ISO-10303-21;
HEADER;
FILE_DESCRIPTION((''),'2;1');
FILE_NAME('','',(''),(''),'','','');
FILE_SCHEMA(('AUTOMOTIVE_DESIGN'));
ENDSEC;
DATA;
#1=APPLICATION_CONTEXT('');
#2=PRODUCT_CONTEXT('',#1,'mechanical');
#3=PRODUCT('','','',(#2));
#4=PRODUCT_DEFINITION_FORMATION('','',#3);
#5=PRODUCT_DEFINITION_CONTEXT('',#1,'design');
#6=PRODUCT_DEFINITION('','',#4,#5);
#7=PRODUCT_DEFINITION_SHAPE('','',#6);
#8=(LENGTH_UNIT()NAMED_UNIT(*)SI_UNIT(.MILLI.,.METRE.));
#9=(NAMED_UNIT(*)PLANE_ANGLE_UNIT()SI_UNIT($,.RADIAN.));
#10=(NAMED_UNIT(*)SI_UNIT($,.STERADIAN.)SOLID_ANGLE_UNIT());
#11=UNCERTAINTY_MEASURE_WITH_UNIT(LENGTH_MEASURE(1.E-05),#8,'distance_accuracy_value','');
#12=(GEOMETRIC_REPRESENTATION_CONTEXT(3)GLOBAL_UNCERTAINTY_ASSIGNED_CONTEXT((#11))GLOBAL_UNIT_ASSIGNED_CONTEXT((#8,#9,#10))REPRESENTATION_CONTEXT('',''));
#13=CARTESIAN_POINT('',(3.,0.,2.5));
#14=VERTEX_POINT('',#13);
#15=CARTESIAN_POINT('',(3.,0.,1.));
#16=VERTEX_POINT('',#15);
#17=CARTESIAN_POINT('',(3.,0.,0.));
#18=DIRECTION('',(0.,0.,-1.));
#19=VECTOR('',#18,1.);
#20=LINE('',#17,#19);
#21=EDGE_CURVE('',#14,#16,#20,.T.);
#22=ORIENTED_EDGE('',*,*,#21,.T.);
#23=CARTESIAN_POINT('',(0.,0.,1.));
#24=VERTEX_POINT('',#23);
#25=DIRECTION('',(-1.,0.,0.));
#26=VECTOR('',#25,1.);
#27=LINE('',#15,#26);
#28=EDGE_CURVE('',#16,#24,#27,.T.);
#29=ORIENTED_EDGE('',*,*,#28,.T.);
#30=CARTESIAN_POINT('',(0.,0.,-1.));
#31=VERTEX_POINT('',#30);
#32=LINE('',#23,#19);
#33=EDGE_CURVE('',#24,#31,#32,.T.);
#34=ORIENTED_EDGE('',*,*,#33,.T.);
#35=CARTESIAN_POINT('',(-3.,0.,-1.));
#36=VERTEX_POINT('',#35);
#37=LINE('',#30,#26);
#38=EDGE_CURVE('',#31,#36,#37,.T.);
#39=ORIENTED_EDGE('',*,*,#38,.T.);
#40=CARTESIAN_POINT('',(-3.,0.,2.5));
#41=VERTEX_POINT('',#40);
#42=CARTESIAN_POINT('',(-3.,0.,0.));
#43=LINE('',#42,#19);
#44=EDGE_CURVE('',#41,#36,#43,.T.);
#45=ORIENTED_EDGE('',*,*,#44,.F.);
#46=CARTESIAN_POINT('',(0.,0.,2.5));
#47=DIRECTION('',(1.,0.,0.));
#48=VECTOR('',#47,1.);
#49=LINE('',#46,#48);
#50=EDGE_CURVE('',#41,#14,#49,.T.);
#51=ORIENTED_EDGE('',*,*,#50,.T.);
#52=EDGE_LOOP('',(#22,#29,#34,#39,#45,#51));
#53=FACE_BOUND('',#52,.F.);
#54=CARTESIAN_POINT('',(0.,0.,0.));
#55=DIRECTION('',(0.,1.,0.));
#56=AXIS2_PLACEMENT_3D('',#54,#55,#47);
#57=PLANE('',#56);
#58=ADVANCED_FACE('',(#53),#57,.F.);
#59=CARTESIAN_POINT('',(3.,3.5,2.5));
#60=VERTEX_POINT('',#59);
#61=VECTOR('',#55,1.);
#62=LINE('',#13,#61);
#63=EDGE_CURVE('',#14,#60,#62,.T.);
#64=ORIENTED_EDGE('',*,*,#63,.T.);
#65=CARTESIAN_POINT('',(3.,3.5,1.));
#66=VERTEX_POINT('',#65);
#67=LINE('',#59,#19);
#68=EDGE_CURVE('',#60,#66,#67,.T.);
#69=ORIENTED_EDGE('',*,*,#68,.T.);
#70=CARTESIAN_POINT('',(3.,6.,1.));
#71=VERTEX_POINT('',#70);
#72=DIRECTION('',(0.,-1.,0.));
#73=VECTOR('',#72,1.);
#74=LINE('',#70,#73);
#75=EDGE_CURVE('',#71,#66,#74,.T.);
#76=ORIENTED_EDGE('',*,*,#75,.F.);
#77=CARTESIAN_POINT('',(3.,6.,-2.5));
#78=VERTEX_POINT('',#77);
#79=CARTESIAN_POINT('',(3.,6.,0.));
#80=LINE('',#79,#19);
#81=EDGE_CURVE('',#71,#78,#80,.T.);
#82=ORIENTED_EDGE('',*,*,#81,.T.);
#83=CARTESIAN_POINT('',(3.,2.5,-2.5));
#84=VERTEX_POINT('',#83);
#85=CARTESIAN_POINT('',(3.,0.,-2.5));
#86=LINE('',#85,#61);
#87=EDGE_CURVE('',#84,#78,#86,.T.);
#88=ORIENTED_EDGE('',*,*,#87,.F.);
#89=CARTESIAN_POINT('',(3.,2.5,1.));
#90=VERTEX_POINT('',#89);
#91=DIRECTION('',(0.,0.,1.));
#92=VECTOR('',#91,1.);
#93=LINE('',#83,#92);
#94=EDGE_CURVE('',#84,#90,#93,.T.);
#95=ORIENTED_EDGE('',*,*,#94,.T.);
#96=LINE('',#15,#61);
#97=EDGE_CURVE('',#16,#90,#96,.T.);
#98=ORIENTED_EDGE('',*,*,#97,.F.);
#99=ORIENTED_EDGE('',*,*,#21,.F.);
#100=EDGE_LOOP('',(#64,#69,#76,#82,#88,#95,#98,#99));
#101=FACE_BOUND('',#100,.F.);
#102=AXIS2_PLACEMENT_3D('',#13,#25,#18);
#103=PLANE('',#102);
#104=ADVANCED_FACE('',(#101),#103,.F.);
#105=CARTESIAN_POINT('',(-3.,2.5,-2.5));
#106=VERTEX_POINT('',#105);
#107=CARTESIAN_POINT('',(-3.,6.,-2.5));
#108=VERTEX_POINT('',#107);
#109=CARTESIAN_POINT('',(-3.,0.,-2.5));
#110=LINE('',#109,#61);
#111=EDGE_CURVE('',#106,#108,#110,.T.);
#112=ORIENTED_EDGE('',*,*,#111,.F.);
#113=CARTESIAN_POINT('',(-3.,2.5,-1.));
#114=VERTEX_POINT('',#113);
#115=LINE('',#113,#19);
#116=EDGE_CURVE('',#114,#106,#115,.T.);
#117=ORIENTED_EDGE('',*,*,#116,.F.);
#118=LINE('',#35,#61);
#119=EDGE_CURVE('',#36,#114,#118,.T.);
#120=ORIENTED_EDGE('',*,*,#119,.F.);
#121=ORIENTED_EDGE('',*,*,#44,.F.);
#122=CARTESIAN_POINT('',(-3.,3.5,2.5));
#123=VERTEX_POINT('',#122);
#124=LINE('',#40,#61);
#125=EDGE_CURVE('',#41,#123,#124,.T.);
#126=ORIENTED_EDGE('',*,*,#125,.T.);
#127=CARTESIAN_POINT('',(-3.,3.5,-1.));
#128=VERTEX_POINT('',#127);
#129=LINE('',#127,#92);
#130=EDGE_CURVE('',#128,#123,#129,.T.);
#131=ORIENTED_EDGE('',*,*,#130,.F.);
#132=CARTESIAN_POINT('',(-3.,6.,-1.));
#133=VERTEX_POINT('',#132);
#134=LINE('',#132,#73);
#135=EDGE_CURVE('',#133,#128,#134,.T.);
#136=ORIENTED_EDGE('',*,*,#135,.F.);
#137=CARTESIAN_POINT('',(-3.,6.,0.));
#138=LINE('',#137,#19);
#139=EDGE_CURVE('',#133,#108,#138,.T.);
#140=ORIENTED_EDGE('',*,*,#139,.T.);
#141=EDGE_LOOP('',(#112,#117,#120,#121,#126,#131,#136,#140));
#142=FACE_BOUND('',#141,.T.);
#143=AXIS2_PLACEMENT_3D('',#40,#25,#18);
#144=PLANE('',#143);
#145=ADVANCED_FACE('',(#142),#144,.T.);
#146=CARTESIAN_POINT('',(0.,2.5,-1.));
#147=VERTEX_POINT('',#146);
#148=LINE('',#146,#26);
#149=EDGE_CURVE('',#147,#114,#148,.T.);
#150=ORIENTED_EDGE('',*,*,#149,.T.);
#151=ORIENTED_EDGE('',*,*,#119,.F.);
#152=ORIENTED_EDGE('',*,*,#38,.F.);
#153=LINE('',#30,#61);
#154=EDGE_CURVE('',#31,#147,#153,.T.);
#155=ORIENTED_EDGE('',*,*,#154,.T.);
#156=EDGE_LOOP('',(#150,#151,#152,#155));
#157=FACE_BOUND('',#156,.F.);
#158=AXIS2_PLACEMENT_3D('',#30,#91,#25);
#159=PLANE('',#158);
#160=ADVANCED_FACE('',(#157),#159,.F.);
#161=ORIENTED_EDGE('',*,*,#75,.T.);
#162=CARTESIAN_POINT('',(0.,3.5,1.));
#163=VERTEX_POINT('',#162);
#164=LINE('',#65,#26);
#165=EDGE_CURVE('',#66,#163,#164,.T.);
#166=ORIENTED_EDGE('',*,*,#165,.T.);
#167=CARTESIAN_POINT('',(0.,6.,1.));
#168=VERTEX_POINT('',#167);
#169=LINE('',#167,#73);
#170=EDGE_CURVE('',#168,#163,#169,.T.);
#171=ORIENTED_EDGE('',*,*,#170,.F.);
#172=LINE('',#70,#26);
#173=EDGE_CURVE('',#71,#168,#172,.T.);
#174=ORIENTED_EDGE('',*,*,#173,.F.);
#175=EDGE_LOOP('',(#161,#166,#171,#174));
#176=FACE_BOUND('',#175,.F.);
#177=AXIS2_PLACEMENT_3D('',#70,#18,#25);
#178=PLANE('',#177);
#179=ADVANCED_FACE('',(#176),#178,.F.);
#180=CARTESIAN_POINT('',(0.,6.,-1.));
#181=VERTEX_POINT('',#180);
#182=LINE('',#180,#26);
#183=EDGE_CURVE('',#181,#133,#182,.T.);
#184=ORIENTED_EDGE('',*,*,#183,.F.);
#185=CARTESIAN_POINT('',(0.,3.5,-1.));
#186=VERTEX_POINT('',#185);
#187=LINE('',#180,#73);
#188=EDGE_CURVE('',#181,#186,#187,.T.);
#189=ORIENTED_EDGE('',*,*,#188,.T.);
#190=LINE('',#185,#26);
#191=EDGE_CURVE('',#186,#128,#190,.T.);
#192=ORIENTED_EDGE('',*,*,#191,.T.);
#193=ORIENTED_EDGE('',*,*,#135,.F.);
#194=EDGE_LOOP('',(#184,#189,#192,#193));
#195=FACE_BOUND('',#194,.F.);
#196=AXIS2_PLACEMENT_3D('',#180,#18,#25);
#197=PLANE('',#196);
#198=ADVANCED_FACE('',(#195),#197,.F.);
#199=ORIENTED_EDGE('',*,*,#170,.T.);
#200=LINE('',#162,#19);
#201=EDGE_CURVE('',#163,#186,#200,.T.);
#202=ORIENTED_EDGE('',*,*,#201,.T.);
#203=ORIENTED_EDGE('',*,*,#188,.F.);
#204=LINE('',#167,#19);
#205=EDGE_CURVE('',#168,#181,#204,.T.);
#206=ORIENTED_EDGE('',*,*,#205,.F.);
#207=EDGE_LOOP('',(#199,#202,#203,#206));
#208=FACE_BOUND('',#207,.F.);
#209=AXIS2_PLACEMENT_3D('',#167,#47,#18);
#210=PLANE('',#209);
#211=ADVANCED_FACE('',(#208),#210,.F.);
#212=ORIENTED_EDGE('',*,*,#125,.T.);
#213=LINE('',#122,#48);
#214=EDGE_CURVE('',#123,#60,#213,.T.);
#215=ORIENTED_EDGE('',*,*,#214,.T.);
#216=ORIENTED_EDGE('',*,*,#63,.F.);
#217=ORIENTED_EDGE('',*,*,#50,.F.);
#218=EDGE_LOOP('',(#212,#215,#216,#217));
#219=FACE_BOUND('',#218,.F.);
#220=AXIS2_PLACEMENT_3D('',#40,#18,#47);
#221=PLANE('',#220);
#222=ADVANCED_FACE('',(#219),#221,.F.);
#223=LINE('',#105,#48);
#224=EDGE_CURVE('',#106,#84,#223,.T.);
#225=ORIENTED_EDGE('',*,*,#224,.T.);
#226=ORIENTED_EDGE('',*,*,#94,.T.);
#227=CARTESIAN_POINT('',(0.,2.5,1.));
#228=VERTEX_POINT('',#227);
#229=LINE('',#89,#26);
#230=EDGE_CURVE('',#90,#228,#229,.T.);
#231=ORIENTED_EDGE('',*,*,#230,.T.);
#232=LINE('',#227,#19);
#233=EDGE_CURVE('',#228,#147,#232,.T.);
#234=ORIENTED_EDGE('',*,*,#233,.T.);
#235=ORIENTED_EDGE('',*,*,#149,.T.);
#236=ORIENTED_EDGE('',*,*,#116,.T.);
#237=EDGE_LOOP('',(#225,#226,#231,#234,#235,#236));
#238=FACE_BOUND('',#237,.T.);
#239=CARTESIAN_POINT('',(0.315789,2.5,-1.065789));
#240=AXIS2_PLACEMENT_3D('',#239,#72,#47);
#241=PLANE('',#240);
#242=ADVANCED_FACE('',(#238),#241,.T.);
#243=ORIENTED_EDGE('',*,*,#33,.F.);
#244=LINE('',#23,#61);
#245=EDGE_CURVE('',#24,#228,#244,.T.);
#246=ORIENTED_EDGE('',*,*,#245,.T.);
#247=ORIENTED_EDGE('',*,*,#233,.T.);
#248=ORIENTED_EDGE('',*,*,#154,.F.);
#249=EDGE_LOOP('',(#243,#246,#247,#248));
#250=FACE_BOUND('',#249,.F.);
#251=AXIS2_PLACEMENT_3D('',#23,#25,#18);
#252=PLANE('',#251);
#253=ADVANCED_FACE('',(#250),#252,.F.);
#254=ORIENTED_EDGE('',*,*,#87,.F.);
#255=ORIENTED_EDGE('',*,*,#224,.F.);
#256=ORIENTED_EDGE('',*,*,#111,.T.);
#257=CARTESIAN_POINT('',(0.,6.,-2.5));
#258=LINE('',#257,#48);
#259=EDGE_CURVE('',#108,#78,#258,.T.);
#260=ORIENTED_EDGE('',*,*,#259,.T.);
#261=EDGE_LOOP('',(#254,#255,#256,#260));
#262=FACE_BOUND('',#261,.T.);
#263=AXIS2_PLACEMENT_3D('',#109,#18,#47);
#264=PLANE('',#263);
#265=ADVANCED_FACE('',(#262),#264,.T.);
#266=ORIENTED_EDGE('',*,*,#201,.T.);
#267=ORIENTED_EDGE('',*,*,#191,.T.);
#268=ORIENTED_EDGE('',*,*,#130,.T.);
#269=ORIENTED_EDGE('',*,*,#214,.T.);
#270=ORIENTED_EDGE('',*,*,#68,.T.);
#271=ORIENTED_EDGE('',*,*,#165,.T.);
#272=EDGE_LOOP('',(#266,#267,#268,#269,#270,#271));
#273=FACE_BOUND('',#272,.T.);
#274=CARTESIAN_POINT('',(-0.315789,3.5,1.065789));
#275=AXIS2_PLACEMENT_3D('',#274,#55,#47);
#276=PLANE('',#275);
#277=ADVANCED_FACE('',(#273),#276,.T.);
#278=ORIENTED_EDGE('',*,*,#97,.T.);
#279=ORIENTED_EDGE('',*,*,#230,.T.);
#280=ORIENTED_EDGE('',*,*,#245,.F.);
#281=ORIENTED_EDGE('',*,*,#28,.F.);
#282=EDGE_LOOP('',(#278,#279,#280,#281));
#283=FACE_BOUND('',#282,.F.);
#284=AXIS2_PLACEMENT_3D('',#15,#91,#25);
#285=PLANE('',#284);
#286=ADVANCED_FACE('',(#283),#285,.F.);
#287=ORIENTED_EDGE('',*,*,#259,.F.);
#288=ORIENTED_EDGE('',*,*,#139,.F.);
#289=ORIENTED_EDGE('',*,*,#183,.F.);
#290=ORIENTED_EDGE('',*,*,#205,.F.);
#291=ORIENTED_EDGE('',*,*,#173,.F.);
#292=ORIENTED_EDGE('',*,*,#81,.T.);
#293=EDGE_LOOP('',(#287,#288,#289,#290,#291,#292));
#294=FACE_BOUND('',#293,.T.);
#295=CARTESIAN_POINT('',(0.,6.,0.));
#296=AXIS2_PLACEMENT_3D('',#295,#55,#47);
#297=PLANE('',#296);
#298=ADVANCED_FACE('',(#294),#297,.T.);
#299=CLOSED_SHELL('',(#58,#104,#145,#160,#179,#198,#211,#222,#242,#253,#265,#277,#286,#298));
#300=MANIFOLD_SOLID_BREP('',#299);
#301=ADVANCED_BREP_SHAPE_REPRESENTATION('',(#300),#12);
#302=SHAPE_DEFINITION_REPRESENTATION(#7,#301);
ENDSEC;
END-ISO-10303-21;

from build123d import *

# Parameters (mm, degrees)
SKETCH1_W           = 6
SKETCH1_H           = 5
BOSS_EXTRUDE1_DEPTH = 6
CUT_EXTRUDE1_DEPTH  = 2.5
CUT_EXTRUDE2_DEPTH  = 2.5


with BuildPart() as part:
    # Sketch1 → Boss-Extrude1 (new body)
    with BuildSketch(Plane(origin=(0, 0, 0), x_dir=(1, 0, 0), z_dir=(0, 1, 0))):
        Rectangle(SKETCH1_W, SKETCH1_H)
    extrude(amount=BOSS_EXTRUDE1_DEPTH)

    # Sketch2 → Cut-Extrude1 (cut)
    with BuildSketch(Plane(origin=(0, 6, 0), x_dir=(1, 0, 0), z_dir=(0, 1, 0))):
        Polygon((3, -1), (0, -1), (0, 1), (-3, 1), (-3, -2.5), (3, -2.5), align=None)
    extrude(amount=-CUT_EXTRUDE1_DEPTH, mode=Mode.SUBTRACT)

    # Sketch3 → Cut-Extrude2 (cut)
    with BuildSketch(Plane.XZ):
        Polygon((3, -2.5), (3, 1), (0, 1), (0, -1), (-3, -1), (-3, -2.5), align=None)
    extrude(amount=-CUT_EXTRUDE2_DEPTH, mode=Mode.SUBTRACT)


solid = part.part
